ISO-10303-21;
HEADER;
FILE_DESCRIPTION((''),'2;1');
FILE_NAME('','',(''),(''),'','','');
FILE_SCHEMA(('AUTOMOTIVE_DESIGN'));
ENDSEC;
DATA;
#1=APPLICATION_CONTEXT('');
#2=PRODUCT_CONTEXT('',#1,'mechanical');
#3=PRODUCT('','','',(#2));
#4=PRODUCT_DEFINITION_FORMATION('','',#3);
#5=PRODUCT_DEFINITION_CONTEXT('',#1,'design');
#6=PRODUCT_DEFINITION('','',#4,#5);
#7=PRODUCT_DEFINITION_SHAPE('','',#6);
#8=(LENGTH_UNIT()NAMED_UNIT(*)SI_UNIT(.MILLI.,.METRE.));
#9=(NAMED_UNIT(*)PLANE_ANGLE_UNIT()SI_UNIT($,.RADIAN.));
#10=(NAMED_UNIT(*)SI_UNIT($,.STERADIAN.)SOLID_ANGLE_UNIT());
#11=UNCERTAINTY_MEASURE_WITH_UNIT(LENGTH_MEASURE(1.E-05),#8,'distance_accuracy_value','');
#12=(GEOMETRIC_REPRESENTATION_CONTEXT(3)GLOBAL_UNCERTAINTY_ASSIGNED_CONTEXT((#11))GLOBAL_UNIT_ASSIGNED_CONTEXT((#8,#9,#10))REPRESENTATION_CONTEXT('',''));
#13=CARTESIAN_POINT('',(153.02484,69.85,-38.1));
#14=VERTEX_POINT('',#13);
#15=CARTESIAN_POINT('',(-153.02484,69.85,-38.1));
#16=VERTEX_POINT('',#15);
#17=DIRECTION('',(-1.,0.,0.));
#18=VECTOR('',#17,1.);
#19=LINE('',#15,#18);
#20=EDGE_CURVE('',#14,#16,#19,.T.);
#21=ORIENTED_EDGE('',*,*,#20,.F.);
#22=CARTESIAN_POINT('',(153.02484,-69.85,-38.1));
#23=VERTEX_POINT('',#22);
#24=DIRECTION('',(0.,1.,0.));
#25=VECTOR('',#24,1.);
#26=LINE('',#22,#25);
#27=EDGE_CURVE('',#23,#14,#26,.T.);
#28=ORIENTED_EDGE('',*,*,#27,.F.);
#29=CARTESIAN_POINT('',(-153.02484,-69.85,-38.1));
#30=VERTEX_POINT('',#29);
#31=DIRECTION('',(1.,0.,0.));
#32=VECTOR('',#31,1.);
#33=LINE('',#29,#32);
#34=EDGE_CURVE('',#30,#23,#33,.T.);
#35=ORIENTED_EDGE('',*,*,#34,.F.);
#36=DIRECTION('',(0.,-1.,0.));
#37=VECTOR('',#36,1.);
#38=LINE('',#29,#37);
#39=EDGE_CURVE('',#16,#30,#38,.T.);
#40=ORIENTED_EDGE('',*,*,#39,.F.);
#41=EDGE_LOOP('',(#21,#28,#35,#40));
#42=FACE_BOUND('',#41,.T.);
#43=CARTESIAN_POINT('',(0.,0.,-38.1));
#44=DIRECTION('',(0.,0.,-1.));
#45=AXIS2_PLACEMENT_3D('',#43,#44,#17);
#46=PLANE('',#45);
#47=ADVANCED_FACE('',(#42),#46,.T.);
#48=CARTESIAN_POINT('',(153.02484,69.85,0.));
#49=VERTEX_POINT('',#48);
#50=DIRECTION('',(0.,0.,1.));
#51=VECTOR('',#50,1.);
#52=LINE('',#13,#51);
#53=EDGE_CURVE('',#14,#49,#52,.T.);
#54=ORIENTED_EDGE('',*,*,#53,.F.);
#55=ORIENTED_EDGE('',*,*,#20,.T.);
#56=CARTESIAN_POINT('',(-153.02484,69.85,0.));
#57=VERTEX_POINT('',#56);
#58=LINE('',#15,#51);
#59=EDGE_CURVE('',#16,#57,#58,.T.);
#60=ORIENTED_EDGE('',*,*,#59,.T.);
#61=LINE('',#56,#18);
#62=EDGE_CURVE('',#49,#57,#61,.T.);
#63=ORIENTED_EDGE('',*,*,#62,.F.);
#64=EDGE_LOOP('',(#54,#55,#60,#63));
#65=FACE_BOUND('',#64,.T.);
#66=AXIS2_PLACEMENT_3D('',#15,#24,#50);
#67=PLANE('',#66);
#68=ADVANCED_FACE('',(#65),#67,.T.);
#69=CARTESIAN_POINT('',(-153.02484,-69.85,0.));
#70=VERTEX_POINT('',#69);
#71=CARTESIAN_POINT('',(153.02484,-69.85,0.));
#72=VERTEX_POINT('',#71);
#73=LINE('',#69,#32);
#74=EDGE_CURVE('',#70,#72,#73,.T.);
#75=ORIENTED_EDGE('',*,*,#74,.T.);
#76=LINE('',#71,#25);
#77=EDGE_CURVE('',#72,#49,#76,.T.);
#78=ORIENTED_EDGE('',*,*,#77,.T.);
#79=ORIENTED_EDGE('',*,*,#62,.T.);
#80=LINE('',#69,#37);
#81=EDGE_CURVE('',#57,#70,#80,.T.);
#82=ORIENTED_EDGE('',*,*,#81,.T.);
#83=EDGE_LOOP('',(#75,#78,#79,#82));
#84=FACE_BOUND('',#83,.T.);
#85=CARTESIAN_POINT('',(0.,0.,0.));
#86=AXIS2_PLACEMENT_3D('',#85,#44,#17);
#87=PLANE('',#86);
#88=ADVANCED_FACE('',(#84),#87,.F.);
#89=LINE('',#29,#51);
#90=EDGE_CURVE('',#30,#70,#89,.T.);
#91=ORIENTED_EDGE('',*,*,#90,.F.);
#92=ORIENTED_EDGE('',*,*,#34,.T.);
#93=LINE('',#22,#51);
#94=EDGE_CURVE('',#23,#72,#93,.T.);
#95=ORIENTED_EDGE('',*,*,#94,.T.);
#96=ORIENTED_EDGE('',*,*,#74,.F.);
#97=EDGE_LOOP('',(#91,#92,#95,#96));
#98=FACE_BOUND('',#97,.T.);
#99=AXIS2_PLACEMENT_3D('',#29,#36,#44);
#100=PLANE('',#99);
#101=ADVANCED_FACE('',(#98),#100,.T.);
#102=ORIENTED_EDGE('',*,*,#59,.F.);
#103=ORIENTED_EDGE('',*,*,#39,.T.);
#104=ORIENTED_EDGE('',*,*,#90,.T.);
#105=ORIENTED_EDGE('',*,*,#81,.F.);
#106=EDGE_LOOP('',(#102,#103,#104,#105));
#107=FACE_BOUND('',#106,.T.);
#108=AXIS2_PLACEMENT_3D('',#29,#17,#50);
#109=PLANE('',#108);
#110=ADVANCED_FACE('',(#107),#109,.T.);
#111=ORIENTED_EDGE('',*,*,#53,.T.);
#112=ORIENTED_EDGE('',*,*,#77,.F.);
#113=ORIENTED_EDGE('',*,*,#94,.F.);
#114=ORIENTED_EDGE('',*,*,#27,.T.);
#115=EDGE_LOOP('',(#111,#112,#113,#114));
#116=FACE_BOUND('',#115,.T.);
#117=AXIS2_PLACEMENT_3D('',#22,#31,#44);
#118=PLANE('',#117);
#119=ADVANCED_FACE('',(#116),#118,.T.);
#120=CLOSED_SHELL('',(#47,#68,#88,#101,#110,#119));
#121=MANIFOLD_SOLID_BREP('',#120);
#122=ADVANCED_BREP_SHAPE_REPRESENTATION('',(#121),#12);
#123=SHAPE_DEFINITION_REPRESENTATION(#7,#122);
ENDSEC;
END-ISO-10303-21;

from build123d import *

# Parameters (mm, degrees)
SKETCH1_W           = 306.04968
SKETCH1_H           = 139.7
BOSS_EXTRUDE1_DEPTH = 38.1


with BuildPart() as part:
    # Sketch1 → Boss-Extrude1 (new body)
    with BuildSketch(Plane.XY):
        Rectangle(SKETCH1_W, SKETCH1_H)
    extrude(amount=-BOSS_EXTRUDE1_DEPTH)


solid = part.part
